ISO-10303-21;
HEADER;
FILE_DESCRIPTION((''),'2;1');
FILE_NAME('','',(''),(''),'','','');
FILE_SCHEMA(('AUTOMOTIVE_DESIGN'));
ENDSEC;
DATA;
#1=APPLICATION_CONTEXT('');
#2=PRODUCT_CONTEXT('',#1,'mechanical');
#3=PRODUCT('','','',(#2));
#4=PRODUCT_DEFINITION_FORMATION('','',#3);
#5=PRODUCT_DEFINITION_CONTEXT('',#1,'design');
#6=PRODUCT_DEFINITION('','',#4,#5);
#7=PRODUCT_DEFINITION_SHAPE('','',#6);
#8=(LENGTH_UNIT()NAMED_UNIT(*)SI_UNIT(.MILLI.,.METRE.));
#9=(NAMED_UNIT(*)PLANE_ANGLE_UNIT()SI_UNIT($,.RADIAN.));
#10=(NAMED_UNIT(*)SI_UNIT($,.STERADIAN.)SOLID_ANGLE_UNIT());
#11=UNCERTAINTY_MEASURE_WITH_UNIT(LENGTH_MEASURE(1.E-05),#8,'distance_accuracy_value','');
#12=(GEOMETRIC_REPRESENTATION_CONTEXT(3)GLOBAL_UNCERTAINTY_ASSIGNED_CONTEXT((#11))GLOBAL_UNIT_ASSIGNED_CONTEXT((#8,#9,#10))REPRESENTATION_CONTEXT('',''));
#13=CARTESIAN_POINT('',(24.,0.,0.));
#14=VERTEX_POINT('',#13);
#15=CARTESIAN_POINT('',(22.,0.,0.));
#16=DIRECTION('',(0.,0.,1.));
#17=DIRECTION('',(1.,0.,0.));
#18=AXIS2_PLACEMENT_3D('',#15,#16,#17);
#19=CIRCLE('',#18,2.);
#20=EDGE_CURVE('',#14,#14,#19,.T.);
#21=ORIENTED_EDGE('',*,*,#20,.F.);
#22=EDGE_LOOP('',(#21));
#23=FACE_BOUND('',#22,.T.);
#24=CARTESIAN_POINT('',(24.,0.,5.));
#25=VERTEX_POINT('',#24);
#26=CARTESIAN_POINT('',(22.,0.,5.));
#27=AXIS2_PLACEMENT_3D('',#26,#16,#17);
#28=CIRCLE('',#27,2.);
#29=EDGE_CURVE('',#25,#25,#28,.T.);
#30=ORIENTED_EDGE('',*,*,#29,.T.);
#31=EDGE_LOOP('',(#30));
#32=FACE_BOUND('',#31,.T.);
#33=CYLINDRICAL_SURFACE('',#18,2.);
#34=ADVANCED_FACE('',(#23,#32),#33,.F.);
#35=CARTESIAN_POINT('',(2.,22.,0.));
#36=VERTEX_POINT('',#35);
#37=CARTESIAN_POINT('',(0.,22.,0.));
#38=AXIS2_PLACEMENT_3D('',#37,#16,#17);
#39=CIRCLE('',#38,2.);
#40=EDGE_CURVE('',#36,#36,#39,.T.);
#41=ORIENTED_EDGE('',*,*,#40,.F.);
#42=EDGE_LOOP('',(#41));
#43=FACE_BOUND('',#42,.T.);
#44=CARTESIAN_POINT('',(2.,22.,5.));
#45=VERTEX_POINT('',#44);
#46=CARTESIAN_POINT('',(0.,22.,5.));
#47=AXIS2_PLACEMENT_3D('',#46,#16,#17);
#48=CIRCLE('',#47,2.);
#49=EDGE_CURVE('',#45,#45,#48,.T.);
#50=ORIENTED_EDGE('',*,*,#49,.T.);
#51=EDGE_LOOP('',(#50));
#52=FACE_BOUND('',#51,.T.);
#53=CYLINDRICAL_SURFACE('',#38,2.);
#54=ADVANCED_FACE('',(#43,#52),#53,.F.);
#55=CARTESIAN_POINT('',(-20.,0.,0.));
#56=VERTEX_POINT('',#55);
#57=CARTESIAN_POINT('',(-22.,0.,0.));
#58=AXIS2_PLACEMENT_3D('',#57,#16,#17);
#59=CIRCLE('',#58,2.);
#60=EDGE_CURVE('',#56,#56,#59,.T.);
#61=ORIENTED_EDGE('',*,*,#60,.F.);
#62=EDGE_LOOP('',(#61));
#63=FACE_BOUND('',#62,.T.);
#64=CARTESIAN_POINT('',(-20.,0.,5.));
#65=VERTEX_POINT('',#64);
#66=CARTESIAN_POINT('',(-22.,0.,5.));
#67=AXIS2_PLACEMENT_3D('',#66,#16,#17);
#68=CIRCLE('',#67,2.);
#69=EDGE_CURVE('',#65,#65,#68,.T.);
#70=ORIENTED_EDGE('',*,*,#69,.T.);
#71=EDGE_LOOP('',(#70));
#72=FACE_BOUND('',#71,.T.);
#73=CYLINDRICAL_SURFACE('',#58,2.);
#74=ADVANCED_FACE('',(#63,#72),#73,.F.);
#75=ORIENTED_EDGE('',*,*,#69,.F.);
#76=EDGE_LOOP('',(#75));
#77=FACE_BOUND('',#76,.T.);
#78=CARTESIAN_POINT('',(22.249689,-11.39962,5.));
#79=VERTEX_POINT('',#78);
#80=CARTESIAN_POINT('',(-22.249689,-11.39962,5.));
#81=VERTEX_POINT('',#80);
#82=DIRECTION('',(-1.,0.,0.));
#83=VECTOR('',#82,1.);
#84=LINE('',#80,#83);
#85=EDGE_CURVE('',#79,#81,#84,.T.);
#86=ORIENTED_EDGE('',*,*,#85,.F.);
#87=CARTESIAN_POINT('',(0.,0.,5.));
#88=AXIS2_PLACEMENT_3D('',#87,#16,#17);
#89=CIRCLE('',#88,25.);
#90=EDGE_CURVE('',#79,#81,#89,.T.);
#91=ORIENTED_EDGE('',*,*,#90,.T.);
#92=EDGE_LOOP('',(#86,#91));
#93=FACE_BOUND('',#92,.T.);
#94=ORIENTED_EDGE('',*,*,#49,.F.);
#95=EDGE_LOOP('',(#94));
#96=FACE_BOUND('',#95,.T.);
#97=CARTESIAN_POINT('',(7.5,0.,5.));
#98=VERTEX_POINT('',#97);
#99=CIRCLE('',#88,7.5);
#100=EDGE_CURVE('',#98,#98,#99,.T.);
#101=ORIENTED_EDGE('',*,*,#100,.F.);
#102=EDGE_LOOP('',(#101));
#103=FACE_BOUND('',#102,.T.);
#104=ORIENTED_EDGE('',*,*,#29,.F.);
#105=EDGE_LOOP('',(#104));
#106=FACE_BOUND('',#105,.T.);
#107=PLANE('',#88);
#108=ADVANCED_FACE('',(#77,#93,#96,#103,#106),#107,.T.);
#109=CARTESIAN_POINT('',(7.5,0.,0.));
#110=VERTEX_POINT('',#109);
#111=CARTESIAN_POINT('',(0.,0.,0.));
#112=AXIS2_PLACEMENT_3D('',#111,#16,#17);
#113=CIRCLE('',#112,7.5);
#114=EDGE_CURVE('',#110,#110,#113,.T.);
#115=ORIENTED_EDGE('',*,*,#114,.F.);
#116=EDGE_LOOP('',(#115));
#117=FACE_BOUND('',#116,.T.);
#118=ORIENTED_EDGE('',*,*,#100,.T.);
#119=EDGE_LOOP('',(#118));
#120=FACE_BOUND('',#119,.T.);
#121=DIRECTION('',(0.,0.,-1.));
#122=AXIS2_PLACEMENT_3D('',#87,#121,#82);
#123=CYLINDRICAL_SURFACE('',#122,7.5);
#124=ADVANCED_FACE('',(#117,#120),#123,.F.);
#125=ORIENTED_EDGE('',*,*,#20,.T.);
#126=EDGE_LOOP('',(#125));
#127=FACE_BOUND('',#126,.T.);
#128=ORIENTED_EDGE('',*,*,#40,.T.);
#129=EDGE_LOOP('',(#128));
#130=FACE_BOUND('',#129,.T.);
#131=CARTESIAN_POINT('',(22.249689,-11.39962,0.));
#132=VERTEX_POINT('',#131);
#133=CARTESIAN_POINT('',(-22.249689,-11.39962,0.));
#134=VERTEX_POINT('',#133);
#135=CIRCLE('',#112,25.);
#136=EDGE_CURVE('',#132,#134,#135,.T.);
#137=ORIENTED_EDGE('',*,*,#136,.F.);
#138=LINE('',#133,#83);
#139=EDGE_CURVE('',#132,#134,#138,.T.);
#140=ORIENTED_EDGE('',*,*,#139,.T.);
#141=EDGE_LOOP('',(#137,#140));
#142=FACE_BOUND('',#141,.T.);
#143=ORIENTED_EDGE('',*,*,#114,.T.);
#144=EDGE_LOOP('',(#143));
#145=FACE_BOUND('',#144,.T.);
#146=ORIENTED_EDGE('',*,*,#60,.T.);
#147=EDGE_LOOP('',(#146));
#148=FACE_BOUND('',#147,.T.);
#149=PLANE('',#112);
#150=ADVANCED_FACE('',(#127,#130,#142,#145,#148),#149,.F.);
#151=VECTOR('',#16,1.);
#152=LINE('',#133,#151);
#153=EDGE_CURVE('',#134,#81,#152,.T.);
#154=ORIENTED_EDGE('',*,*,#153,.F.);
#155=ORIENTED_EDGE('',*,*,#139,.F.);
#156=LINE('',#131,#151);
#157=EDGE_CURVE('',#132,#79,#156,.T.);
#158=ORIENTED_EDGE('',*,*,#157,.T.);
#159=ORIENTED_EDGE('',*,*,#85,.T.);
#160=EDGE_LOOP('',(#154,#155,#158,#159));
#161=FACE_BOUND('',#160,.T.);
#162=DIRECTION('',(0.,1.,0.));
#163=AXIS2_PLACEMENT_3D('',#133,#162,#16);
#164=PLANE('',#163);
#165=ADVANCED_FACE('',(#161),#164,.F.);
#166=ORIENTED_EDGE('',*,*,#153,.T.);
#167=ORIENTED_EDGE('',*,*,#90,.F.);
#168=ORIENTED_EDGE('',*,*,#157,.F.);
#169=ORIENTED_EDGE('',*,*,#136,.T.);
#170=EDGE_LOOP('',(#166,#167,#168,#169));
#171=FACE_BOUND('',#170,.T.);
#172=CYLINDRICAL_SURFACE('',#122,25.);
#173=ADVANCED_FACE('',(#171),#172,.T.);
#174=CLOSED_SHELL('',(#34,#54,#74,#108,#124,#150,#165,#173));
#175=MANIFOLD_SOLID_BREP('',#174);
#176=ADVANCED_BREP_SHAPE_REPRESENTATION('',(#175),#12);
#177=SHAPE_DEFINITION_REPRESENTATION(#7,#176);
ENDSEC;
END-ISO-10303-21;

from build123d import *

# Parameters (mm, degrees)
SKETCH1_R           = 25
SKETCH1_R_2         = 7.5
BOSS_EXTRUDE1_DEPTH = 5
SKETCH2_R           = 2
CUT_EXTRUDE1_DEPTH  = 5


with BuildPart() as part:
    # Sketch1 → Boss-Extrude1 (new body)
    with BuildSketch(Plane.XY):
        Circle(SKETCH1_R)
        Circle(SKETCH1_R_2, mode=Mode.SUBTRACT)
    extrude(amount=BOSS_EXTRUDE1_DEPTH)

    # Sketch2 → Cut-Extrude1 (cut)
    with BuildSketch(Plane.XY.offset(5)):
        with Locations((0, 22)):
            Circle(SKETCH2_R)
        with Locations((22, 0)):
            Circle(SKETCH2_R)
        with Locations((-22, 0)):
            Circle(SKETCH2_R)
        with BuildLine():
            Line((-22.24968915, -11.39961985), (22.24968915, -11.39961985))
            ThreePointArc((22.24968915, -11.39961985), (0, -25), (-22.24968915, -11.39961985))
        make_face()
    extrude(amount=-CUT_EXTRUDE1_DEPTH, mode=Mode.SUBTRACT)


solid = part.part
